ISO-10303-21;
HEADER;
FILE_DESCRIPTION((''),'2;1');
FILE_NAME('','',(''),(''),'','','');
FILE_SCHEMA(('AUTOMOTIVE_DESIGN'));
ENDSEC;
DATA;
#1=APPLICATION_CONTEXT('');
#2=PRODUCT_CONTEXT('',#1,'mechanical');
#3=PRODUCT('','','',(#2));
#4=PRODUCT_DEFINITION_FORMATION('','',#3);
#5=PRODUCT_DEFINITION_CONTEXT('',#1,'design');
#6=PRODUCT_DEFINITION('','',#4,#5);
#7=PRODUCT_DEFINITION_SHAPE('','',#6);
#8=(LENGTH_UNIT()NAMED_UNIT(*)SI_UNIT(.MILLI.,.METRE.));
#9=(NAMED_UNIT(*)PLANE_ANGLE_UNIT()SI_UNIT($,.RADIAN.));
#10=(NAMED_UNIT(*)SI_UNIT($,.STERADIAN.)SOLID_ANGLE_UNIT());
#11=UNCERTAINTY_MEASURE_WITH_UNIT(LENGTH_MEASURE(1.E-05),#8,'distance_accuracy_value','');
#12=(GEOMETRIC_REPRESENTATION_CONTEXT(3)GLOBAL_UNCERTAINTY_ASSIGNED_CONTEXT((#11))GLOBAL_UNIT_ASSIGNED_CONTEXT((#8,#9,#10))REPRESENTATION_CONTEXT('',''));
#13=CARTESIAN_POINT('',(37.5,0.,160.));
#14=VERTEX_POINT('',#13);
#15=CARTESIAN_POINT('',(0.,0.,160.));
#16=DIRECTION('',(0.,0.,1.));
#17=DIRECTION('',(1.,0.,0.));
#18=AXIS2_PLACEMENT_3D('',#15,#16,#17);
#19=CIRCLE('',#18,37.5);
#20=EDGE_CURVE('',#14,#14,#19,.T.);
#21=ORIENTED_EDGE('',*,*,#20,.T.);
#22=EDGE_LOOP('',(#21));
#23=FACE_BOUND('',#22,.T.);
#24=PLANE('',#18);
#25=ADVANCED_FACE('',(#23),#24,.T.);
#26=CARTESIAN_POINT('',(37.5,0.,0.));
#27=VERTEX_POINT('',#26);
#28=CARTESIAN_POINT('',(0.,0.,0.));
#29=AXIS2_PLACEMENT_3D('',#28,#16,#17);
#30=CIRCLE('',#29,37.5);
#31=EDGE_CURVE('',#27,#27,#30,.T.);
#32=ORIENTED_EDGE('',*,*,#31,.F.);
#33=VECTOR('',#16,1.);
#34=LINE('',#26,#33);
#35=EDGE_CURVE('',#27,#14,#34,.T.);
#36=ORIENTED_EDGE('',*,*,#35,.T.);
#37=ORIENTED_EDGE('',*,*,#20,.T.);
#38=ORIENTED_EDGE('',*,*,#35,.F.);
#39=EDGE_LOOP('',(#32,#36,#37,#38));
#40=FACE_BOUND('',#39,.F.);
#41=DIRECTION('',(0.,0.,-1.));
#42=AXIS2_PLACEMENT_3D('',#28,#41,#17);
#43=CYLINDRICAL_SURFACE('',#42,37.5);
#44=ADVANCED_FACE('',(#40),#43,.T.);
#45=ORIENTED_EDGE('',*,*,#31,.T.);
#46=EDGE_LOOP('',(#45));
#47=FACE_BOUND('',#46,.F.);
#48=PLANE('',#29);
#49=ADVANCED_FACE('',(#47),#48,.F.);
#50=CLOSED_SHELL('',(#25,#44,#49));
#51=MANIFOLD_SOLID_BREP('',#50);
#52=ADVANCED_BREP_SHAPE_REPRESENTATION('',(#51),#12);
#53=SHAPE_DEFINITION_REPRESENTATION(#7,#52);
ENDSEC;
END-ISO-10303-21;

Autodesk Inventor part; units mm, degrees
ref_plane "YZ Plane" through (0, 0, 0) normal (1, 0, 0) x (0, 1, 0)
ref_plane "XZ Plane" through (0, 0, 0) normal (0, 1, 0) x (-1, 0, 0)
ref_plane "XY Plane" through (0, 0, 0) normal (0, 0, 1) x (1, 0, 0)
sketch "Sketch1" plane through (0, 0, 0) normal (0, 0, 1) x (1, 0, 0)
  circle A0 centre (0, 0) radius 37.5
  dimension "d0" = 75
extrude "Extrusion1" add sketch "Sketch1" along normal blind 160
properties part number "Battery" material "Battery mat'l"
